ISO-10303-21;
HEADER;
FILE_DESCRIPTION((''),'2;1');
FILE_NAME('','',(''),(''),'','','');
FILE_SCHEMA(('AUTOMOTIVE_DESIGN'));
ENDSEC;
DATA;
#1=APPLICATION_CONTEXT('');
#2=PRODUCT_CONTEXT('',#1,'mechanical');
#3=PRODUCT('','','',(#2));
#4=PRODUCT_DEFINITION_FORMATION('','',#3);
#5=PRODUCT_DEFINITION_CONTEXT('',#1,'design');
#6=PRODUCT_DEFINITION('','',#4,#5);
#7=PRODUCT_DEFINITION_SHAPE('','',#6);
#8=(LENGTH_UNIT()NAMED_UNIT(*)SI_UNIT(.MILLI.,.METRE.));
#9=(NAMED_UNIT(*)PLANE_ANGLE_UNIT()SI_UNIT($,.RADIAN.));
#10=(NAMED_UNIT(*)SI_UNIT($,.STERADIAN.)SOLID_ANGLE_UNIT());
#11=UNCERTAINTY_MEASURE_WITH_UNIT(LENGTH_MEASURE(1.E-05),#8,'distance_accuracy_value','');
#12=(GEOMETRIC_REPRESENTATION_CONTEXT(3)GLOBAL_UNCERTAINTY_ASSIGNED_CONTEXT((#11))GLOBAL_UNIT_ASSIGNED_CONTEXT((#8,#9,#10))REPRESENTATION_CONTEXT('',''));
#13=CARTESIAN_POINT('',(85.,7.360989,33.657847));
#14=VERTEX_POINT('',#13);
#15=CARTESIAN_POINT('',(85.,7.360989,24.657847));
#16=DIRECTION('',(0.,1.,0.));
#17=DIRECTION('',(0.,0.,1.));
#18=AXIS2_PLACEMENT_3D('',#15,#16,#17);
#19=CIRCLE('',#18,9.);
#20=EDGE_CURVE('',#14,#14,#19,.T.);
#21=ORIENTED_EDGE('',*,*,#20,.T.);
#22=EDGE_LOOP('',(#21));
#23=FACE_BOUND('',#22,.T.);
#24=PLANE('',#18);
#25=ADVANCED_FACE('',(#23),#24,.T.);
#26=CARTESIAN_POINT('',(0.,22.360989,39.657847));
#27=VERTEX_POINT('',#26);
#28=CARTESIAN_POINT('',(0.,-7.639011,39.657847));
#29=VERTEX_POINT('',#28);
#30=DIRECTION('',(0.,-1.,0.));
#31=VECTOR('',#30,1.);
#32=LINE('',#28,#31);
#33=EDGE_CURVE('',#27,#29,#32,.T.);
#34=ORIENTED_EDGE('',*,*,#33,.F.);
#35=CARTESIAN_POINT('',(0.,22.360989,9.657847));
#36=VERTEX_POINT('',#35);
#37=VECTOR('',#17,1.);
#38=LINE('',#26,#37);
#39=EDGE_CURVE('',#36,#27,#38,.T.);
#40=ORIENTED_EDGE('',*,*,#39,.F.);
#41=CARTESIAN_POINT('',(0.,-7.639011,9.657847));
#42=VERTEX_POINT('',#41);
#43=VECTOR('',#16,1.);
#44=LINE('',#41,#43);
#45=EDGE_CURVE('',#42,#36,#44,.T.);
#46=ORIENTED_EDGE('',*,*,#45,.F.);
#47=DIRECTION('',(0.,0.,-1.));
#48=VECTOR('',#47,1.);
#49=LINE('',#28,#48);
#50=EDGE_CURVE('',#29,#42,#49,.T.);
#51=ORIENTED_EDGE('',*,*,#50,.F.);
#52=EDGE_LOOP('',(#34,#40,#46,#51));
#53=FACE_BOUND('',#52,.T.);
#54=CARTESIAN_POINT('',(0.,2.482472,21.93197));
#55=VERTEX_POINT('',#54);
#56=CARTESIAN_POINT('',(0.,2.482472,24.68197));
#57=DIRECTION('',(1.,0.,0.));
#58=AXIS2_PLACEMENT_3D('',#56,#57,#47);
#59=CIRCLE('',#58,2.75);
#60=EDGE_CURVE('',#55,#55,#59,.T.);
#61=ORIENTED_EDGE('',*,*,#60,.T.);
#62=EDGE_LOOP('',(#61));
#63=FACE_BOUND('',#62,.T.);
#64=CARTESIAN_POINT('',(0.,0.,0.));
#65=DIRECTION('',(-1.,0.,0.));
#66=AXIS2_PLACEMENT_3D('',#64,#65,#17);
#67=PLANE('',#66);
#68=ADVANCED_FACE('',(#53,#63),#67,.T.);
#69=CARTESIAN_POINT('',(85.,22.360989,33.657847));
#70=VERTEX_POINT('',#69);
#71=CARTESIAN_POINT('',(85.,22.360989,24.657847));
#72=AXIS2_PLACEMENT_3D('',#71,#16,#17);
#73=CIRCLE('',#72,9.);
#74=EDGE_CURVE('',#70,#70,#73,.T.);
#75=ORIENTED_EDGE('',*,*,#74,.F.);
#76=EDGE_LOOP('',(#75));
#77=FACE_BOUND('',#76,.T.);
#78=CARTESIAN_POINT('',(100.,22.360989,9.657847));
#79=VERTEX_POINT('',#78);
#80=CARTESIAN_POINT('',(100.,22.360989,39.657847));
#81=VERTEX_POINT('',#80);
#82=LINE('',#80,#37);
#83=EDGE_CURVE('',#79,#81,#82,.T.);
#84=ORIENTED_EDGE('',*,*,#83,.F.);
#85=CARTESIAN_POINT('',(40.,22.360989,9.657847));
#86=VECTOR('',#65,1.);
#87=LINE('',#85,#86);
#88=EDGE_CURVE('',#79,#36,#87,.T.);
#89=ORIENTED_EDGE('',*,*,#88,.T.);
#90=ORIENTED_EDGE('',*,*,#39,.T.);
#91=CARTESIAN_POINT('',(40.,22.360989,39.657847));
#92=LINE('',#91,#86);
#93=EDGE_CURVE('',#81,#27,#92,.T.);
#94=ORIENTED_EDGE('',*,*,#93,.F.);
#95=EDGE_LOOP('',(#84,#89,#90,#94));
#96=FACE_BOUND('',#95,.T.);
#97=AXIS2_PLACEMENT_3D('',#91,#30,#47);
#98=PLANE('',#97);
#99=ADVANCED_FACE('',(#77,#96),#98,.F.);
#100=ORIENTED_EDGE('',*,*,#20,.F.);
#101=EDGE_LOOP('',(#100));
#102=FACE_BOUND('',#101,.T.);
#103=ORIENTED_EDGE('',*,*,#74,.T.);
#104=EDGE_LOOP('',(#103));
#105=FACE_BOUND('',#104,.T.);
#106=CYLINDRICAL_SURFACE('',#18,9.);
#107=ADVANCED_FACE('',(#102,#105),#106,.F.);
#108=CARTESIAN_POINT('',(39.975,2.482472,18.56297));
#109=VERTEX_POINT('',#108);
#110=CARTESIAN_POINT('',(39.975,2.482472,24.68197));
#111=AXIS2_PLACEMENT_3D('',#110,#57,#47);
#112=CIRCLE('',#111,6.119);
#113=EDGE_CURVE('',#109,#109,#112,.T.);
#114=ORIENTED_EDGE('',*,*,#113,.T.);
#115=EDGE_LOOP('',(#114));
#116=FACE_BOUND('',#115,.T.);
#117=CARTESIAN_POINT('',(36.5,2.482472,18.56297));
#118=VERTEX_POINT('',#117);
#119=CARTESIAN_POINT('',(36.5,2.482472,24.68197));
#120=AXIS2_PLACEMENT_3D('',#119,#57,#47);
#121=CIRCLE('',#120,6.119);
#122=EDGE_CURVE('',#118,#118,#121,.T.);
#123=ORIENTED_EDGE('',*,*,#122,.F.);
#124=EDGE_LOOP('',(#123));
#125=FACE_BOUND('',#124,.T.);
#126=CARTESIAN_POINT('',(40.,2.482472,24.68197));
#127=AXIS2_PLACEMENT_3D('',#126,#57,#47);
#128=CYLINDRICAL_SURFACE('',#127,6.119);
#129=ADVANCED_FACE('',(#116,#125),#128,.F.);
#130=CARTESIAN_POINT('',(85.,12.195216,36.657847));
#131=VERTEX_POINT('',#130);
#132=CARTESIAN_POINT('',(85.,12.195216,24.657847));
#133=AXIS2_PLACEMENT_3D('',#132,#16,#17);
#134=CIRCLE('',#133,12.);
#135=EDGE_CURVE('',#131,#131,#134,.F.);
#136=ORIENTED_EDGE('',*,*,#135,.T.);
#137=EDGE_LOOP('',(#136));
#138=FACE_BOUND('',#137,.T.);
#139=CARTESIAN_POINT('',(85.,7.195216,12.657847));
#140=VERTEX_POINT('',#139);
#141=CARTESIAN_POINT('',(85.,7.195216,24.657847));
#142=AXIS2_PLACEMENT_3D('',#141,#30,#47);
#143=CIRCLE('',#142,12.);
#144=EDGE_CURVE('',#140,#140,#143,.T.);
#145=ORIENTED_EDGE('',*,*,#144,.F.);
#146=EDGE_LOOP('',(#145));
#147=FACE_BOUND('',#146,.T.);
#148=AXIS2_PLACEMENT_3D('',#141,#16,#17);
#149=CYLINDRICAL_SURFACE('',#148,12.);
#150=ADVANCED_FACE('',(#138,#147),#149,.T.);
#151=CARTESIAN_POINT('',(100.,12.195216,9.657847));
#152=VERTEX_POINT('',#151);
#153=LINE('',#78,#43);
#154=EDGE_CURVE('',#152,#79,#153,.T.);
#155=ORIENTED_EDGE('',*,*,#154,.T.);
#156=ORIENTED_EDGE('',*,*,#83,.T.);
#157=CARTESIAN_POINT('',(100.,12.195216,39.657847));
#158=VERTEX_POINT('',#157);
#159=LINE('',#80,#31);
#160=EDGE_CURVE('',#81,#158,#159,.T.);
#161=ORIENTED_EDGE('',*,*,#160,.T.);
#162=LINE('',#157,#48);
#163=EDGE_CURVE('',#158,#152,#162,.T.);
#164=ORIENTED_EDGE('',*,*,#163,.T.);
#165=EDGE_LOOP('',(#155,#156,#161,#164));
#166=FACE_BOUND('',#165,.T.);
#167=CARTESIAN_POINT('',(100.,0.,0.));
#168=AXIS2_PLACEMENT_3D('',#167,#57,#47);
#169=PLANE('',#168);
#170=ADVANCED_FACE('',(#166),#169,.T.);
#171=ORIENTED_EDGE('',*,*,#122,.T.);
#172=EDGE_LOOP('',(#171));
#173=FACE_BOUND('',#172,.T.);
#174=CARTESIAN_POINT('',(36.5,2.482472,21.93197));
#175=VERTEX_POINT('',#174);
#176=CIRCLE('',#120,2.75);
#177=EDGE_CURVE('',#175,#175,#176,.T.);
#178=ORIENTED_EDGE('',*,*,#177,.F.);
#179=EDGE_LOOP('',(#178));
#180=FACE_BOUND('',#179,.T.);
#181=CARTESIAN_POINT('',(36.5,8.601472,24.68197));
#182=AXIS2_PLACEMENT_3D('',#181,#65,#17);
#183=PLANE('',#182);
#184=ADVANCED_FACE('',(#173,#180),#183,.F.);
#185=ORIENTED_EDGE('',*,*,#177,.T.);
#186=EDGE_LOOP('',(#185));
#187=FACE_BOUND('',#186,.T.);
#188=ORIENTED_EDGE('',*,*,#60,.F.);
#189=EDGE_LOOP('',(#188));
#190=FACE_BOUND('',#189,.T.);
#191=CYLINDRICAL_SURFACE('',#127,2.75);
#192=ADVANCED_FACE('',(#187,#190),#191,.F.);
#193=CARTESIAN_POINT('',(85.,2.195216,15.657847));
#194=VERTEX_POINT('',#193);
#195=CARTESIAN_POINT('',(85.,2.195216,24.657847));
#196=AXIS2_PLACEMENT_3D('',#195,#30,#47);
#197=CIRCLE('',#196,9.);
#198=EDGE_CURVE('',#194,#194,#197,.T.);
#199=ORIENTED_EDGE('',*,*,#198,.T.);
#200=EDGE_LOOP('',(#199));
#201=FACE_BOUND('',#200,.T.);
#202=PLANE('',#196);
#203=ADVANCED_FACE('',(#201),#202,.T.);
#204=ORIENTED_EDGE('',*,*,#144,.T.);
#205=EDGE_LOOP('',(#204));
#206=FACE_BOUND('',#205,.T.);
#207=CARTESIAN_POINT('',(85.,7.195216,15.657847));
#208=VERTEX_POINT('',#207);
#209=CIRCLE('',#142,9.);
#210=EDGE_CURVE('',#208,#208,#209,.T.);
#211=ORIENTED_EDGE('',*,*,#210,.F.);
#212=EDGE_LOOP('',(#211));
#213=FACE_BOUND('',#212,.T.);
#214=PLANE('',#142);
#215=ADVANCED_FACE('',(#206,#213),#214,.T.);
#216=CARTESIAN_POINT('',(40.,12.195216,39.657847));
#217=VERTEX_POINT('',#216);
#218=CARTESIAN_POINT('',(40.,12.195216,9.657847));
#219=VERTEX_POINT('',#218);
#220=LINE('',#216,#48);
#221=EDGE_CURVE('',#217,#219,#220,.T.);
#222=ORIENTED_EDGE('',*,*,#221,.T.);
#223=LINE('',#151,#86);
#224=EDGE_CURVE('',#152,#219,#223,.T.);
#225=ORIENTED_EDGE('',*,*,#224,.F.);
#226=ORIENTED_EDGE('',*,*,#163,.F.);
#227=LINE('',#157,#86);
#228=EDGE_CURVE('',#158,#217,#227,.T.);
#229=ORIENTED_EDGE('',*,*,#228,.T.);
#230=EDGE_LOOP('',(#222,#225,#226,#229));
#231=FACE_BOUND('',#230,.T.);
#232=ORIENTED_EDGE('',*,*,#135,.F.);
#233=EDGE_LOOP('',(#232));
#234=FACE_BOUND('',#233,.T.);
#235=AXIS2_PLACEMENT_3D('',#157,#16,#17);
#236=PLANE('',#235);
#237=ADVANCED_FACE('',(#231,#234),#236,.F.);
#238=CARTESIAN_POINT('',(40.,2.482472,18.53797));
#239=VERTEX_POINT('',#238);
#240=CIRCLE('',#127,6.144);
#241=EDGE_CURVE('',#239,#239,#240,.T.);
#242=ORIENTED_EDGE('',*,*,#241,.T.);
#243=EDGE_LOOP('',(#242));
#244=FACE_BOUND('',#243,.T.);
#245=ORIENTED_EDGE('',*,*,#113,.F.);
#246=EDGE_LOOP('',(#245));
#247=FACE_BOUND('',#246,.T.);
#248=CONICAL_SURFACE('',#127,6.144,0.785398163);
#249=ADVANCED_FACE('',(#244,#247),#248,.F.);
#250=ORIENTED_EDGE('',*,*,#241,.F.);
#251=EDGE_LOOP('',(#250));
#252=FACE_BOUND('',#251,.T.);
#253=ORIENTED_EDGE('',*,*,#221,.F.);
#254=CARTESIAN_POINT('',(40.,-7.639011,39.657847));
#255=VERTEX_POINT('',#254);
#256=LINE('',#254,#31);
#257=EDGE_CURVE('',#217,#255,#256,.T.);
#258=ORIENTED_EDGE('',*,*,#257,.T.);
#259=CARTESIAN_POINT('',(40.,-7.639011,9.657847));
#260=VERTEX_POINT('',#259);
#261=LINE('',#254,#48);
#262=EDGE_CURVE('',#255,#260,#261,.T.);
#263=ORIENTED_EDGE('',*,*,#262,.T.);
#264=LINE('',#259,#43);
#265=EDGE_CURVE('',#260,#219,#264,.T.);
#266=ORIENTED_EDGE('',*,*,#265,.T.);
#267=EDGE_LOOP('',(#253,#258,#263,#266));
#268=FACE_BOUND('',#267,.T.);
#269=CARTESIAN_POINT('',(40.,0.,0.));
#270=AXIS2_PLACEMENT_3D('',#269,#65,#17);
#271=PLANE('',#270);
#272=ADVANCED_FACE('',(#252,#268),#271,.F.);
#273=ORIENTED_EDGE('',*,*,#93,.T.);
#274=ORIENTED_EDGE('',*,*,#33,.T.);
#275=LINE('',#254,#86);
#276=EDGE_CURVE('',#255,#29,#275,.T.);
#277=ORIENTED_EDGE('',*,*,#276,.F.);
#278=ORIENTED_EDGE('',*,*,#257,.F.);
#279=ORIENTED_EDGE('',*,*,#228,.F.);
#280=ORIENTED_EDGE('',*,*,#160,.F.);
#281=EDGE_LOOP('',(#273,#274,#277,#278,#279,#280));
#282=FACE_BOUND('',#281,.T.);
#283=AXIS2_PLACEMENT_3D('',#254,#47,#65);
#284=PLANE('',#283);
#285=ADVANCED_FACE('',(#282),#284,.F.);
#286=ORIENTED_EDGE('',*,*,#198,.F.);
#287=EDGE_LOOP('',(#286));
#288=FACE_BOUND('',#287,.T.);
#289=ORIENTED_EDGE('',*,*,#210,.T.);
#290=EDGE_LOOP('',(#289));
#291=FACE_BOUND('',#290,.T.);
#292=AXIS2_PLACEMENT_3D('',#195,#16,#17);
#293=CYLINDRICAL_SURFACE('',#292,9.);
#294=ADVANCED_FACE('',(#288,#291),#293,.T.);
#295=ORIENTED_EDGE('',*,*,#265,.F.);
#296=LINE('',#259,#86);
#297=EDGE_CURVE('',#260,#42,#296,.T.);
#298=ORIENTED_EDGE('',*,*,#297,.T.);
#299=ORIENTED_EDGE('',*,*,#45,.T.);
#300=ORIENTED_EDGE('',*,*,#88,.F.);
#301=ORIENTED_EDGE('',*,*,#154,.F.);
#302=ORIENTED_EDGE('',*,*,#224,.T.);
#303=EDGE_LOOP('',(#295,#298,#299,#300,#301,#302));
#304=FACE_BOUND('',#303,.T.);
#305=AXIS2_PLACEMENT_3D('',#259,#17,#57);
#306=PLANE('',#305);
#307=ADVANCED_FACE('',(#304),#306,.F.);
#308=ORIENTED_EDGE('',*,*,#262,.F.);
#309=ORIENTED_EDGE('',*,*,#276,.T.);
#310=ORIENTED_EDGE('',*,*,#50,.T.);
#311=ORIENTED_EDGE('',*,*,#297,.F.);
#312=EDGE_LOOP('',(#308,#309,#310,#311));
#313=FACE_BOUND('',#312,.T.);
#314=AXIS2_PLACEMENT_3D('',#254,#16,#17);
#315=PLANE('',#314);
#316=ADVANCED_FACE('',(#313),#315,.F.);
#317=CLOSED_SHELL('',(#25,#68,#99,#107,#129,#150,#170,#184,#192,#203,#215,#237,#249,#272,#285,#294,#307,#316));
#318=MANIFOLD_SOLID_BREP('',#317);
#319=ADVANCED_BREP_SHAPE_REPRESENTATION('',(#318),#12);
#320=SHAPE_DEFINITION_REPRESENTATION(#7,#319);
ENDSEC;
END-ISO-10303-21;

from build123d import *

# Parameters (mm, degrees)
SKETCH_1_W          = 30
SKETCH_1_H          = 30
EXTRUDE_1_DEPTH     = 40
SKETCH_2_W          = 30
SKETCH_2_H          = 10.165772452
EXTRUDE_2_DEPTH     = 60
SKETCH_3_R          = 12
EXTRUDE_3_DEPTH     = 5
SKETCH_4_R          = 9
EXTRUDE_4_DEPTH     = 5
SKETCH_16_R         = 9
CUT_EXTRUDE_1_DEPTH = 15


with BuildPart() as part:
    # Эскиз1 → Бобышка-Вытянуть1 (new body)
    with BuildSketch(Plane(origin=(0, 0, 0), x_dir=(0, 0, -1), z_dir=(1, 0, 0))):
        with Locations((-24.657846844, 7.360988518)):
            Rectangle(SKETCH_1_W, SKETCH_1_H)
    extrude(amount=EXTRUDE_1_DEPTH)

    # Эскиз2 → Бобышка-Вытянуть2 (add)
    with BuildSketch(Plane(origin=(40, 0, 0), x_dir=(0, 0, -1), z_dir=(1, 0, 0))):
        with Locations((-24.657846844, 17.278102292)):
            Rectangle(SKETCH_2_W, SKETCH_2_H)
    extrude(amount=EXTRUDE_2_DEPTH)

    # Эскиз3 → Бобышка-Вытянуть3 (add)
    with BuildSketch(Plane.XZ.offset(-12.195216066)):
        with Locations(Location((85, 24.657846844, 0), (0, 0, 90))):
            Circle(SKETCH_3_R)
    extrude(amount=EXTRUDE_3_DEPTH)

    # Эскиз4 → Бобышка-Вытянуть4 (add)
    with BuildSketch(Plane.XZ.offset(-7.195216066)):
        with Locations(Location((85, 24.657846844, 0), (0, 0, 270))):
            Circle(SKETCH_4_R)
    extrude(amount=EXTRUDE_4_DEPTH)

    # Эскиз13 → Цековка для  болта с шестигранной головкой M51 (revolve, cut)
    with BuildSketch(Plane(origin=(40, 2.482471753, 24.681970174), x_dir=(0, 0, -1), z_dir=(0, 1, 0))):
        Polygon((0, 0), (0, 40), (2.75, 40), (2.75, 3.5), (6.119, 3.5), (6.119, 0.025), (6.144, 0), align=None)
    revolve(axis=Axis((46.35, 2.482471753, 24.681970174), (-1, 0, 0)), mode=Mode.SUBTRACT)

    # Эскиз16 → Вырез-Вытянуть1 (cut)
    with BuildSketch(Plane(origin=(0, 22.360988518, 0), x_dir=(1, 0, 0), z_dir=(0, 1, 0))):
        with Locations(Location((85, -24.657846844, 0), (0, 0, 90))):
            Circle(SKETCH_16_R)
    extrude(amount=-CUT_EXTRUDE_1_DEPTH, mode=Mode.SUBTRACT)


solid = part.part
